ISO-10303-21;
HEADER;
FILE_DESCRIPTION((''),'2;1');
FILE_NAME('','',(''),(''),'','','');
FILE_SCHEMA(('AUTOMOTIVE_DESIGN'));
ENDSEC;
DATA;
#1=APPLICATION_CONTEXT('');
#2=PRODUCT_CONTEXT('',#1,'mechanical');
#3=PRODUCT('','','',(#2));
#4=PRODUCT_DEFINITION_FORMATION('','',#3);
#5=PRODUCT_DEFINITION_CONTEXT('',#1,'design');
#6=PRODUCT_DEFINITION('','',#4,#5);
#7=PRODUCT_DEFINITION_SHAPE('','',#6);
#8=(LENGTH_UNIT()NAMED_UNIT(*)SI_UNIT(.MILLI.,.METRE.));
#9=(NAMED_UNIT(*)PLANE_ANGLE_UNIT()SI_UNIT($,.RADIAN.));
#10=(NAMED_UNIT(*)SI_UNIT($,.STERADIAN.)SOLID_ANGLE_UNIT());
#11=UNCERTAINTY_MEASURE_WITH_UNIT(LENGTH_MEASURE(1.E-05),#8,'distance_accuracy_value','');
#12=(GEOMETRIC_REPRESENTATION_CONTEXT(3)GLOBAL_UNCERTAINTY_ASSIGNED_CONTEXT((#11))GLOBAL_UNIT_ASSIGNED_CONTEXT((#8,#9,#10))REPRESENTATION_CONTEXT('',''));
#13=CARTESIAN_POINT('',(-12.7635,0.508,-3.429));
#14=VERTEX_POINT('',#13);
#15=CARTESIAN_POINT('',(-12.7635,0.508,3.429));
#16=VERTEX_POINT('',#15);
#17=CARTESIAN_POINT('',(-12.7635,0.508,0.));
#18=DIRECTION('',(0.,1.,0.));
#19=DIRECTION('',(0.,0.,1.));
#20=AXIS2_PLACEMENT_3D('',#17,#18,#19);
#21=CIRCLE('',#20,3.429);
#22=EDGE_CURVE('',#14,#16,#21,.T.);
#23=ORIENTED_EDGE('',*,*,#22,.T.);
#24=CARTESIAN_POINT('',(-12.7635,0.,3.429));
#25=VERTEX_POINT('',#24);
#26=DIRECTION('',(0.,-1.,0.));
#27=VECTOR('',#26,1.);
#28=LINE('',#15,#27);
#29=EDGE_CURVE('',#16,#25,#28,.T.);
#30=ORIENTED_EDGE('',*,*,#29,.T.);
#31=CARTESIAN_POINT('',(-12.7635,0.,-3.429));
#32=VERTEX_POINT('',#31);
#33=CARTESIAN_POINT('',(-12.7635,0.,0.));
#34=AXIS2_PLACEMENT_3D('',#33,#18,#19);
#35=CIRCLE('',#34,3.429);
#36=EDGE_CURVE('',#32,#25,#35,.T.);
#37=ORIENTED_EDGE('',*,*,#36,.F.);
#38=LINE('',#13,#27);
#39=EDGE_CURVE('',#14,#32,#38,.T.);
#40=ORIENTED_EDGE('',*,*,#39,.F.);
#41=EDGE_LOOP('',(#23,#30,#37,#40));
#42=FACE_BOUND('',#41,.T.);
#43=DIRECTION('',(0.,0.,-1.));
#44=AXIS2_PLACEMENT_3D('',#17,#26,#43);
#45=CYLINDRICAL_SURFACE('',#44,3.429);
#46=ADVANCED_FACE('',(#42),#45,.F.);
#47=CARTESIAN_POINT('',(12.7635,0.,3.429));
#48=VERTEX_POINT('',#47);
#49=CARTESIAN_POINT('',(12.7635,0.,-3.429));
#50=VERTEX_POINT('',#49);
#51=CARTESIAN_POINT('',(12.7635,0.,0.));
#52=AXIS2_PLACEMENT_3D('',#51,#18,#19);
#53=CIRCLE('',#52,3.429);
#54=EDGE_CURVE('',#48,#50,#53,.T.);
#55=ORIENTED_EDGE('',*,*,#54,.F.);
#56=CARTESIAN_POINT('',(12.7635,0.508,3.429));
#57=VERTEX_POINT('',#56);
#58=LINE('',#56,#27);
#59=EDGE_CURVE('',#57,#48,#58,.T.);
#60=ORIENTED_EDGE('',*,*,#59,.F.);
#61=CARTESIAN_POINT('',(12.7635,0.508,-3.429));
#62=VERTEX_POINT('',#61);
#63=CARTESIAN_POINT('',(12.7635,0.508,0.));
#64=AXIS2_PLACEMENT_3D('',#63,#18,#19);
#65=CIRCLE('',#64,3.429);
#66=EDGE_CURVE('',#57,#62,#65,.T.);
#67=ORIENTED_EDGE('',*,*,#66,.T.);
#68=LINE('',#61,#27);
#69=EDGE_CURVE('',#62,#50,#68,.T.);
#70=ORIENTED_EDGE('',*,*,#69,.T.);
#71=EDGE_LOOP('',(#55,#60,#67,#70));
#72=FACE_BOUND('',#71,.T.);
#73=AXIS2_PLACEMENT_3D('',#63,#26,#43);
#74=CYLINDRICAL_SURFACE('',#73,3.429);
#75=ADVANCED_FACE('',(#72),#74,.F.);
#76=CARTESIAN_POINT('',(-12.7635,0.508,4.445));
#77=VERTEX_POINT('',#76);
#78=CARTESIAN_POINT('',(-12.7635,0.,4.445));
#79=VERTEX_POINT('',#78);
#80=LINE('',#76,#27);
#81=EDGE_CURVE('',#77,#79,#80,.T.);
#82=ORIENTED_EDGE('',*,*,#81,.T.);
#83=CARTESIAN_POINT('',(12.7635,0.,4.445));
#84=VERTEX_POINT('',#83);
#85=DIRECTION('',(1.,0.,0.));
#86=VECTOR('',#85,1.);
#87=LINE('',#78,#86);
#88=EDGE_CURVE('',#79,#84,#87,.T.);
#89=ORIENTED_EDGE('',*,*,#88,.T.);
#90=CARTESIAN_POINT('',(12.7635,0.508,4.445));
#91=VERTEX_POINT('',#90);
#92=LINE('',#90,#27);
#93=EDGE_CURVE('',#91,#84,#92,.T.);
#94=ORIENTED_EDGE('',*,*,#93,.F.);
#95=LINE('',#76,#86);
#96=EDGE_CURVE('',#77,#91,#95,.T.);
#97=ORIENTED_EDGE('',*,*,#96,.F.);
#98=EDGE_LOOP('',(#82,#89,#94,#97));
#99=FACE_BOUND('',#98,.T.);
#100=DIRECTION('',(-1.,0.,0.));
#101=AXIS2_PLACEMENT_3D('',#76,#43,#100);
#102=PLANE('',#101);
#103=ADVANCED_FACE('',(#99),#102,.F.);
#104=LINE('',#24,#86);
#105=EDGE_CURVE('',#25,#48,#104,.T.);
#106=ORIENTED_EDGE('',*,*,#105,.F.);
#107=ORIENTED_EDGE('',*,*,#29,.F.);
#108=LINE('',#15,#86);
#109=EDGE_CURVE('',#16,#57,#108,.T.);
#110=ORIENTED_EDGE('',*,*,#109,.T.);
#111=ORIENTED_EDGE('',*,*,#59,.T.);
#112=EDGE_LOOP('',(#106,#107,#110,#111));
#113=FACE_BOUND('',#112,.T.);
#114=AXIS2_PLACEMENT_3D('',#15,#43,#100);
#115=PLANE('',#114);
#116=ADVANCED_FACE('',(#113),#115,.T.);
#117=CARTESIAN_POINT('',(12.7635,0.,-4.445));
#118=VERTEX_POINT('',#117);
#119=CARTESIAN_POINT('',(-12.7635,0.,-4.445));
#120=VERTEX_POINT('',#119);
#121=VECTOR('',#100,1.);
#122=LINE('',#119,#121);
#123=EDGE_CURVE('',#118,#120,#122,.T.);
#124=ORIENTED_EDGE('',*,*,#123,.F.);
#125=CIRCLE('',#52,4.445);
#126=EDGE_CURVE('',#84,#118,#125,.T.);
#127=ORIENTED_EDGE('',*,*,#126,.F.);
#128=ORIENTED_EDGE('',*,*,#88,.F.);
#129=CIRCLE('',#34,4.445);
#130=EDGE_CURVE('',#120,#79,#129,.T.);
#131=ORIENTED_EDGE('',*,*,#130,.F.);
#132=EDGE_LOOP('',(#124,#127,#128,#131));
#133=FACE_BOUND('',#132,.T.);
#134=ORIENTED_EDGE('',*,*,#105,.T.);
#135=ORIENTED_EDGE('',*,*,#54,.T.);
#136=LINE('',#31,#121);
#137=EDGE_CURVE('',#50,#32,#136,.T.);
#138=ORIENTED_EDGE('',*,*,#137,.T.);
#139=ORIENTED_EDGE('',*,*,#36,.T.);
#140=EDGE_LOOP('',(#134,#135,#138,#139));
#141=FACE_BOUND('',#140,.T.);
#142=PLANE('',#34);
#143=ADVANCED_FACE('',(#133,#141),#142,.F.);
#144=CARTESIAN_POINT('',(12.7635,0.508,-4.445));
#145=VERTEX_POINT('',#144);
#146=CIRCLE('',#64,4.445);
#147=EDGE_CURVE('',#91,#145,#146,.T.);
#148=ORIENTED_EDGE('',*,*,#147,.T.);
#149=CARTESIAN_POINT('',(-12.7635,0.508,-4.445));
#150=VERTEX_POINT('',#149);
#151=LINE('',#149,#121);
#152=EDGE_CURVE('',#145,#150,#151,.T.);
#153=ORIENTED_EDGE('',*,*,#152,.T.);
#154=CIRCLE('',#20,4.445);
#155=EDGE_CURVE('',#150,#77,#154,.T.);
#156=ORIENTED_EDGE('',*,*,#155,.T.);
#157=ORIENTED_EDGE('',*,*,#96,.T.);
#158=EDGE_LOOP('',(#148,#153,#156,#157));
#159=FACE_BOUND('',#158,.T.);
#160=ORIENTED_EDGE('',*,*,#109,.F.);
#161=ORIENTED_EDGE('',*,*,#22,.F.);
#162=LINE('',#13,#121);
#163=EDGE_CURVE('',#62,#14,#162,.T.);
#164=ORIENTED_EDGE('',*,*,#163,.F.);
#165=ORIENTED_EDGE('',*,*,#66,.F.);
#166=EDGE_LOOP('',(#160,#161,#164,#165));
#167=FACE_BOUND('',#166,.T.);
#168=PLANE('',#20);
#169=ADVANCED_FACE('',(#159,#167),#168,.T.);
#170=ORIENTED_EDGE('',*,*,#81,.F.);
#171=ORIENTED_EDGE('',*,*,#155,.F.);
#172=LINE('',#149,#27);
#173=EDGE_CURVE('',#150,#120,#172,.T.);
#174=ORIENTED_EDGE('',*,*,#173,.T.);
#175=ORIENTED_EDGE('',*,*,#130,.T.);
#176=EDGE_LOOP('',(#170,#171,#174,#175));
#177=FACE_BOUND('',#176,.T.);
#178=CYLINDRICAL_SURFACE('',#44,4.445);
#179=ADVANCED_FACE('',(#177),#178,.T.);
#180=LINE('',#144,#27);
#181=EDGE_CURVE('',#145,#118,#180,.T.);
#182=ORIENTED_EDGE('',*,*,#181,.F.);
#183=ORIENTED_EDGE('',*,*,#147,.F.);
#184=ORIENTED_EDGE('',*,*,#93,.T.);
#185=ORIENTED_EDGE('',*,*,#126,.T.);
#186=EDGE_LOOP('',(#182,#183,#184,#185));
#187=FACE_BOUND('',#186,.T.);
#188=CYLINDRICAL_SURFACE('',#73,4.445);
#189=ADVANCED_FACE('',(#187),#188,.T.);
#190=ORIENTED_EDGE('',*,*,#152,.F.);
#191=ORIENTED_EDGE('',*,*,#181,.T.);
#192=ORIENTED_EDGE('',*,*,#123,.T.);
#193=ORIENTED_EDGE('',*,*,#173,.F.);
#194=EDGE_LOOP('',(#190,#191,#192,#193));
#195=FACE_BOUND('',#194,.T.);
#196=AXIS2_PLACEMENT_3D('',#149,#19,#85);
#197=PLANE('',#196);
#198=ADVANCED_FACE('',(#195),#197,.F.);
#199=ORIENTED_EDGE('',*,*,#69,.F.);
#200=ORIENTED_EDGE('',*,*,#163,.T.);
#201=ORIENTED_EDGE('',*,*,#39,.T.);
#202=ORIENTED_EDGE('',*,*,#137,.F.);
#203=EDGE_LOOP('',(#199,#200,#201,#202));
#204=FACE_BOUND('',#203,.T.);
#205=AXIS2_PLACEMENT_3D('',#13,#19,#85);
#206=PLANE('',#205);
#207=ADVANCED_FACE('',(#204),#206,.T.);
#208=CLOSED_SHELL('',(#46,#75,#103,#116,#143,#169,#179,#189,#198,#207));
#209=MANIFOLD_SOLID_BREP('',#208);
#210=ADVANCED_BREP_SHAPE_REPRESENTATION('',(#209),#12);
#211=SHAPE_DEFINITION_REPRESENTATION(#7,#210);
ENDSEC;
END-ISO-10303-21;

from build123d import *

# Parameters (mm, degrees)
BOSS_EXTRUDE1_DEPTH = 0.508


with BuildPart() as part:
    # Sketch1 → Boss-Extrude1 (new body)
    with BuildSketch(Plane(origin=(0, 0, 0), x_dir=(1, 0, 0), z_dir=(0, 1, 0))):
        with BuildLine():
            Line((-12.7635, 4.445), (12.7635, 4.445))
            ThreePointArc((12.7635, 4.445), (17.2085, 0), (12.7635, -4.445))
            Line((12.7635, -4.445), (-12.7635, -4.445))
            ThreePointArc((-12.7635, -4.445), (-17.2085, 0), (-12.7635, 4.445))
        make_face()
        with BuildLine():
            Line((-12.7635, 3.429), (12.7635, 3.429))
            ThreePointArc((12.7635, 3.429), (16.1925, 0), (12.7635, -3.429))
            Line((12.7635, -3.429), (-12.7635, -3.429))
            ThreePointArc((-12.7635, -3.429), (-16.1925, 0), (-12.7635, 3.429))
        make_face(mode=Mode.SUBTRACT)
    extrude(amount=BOSS_EXTRUDE1_DEPTH)


solid = part.part
